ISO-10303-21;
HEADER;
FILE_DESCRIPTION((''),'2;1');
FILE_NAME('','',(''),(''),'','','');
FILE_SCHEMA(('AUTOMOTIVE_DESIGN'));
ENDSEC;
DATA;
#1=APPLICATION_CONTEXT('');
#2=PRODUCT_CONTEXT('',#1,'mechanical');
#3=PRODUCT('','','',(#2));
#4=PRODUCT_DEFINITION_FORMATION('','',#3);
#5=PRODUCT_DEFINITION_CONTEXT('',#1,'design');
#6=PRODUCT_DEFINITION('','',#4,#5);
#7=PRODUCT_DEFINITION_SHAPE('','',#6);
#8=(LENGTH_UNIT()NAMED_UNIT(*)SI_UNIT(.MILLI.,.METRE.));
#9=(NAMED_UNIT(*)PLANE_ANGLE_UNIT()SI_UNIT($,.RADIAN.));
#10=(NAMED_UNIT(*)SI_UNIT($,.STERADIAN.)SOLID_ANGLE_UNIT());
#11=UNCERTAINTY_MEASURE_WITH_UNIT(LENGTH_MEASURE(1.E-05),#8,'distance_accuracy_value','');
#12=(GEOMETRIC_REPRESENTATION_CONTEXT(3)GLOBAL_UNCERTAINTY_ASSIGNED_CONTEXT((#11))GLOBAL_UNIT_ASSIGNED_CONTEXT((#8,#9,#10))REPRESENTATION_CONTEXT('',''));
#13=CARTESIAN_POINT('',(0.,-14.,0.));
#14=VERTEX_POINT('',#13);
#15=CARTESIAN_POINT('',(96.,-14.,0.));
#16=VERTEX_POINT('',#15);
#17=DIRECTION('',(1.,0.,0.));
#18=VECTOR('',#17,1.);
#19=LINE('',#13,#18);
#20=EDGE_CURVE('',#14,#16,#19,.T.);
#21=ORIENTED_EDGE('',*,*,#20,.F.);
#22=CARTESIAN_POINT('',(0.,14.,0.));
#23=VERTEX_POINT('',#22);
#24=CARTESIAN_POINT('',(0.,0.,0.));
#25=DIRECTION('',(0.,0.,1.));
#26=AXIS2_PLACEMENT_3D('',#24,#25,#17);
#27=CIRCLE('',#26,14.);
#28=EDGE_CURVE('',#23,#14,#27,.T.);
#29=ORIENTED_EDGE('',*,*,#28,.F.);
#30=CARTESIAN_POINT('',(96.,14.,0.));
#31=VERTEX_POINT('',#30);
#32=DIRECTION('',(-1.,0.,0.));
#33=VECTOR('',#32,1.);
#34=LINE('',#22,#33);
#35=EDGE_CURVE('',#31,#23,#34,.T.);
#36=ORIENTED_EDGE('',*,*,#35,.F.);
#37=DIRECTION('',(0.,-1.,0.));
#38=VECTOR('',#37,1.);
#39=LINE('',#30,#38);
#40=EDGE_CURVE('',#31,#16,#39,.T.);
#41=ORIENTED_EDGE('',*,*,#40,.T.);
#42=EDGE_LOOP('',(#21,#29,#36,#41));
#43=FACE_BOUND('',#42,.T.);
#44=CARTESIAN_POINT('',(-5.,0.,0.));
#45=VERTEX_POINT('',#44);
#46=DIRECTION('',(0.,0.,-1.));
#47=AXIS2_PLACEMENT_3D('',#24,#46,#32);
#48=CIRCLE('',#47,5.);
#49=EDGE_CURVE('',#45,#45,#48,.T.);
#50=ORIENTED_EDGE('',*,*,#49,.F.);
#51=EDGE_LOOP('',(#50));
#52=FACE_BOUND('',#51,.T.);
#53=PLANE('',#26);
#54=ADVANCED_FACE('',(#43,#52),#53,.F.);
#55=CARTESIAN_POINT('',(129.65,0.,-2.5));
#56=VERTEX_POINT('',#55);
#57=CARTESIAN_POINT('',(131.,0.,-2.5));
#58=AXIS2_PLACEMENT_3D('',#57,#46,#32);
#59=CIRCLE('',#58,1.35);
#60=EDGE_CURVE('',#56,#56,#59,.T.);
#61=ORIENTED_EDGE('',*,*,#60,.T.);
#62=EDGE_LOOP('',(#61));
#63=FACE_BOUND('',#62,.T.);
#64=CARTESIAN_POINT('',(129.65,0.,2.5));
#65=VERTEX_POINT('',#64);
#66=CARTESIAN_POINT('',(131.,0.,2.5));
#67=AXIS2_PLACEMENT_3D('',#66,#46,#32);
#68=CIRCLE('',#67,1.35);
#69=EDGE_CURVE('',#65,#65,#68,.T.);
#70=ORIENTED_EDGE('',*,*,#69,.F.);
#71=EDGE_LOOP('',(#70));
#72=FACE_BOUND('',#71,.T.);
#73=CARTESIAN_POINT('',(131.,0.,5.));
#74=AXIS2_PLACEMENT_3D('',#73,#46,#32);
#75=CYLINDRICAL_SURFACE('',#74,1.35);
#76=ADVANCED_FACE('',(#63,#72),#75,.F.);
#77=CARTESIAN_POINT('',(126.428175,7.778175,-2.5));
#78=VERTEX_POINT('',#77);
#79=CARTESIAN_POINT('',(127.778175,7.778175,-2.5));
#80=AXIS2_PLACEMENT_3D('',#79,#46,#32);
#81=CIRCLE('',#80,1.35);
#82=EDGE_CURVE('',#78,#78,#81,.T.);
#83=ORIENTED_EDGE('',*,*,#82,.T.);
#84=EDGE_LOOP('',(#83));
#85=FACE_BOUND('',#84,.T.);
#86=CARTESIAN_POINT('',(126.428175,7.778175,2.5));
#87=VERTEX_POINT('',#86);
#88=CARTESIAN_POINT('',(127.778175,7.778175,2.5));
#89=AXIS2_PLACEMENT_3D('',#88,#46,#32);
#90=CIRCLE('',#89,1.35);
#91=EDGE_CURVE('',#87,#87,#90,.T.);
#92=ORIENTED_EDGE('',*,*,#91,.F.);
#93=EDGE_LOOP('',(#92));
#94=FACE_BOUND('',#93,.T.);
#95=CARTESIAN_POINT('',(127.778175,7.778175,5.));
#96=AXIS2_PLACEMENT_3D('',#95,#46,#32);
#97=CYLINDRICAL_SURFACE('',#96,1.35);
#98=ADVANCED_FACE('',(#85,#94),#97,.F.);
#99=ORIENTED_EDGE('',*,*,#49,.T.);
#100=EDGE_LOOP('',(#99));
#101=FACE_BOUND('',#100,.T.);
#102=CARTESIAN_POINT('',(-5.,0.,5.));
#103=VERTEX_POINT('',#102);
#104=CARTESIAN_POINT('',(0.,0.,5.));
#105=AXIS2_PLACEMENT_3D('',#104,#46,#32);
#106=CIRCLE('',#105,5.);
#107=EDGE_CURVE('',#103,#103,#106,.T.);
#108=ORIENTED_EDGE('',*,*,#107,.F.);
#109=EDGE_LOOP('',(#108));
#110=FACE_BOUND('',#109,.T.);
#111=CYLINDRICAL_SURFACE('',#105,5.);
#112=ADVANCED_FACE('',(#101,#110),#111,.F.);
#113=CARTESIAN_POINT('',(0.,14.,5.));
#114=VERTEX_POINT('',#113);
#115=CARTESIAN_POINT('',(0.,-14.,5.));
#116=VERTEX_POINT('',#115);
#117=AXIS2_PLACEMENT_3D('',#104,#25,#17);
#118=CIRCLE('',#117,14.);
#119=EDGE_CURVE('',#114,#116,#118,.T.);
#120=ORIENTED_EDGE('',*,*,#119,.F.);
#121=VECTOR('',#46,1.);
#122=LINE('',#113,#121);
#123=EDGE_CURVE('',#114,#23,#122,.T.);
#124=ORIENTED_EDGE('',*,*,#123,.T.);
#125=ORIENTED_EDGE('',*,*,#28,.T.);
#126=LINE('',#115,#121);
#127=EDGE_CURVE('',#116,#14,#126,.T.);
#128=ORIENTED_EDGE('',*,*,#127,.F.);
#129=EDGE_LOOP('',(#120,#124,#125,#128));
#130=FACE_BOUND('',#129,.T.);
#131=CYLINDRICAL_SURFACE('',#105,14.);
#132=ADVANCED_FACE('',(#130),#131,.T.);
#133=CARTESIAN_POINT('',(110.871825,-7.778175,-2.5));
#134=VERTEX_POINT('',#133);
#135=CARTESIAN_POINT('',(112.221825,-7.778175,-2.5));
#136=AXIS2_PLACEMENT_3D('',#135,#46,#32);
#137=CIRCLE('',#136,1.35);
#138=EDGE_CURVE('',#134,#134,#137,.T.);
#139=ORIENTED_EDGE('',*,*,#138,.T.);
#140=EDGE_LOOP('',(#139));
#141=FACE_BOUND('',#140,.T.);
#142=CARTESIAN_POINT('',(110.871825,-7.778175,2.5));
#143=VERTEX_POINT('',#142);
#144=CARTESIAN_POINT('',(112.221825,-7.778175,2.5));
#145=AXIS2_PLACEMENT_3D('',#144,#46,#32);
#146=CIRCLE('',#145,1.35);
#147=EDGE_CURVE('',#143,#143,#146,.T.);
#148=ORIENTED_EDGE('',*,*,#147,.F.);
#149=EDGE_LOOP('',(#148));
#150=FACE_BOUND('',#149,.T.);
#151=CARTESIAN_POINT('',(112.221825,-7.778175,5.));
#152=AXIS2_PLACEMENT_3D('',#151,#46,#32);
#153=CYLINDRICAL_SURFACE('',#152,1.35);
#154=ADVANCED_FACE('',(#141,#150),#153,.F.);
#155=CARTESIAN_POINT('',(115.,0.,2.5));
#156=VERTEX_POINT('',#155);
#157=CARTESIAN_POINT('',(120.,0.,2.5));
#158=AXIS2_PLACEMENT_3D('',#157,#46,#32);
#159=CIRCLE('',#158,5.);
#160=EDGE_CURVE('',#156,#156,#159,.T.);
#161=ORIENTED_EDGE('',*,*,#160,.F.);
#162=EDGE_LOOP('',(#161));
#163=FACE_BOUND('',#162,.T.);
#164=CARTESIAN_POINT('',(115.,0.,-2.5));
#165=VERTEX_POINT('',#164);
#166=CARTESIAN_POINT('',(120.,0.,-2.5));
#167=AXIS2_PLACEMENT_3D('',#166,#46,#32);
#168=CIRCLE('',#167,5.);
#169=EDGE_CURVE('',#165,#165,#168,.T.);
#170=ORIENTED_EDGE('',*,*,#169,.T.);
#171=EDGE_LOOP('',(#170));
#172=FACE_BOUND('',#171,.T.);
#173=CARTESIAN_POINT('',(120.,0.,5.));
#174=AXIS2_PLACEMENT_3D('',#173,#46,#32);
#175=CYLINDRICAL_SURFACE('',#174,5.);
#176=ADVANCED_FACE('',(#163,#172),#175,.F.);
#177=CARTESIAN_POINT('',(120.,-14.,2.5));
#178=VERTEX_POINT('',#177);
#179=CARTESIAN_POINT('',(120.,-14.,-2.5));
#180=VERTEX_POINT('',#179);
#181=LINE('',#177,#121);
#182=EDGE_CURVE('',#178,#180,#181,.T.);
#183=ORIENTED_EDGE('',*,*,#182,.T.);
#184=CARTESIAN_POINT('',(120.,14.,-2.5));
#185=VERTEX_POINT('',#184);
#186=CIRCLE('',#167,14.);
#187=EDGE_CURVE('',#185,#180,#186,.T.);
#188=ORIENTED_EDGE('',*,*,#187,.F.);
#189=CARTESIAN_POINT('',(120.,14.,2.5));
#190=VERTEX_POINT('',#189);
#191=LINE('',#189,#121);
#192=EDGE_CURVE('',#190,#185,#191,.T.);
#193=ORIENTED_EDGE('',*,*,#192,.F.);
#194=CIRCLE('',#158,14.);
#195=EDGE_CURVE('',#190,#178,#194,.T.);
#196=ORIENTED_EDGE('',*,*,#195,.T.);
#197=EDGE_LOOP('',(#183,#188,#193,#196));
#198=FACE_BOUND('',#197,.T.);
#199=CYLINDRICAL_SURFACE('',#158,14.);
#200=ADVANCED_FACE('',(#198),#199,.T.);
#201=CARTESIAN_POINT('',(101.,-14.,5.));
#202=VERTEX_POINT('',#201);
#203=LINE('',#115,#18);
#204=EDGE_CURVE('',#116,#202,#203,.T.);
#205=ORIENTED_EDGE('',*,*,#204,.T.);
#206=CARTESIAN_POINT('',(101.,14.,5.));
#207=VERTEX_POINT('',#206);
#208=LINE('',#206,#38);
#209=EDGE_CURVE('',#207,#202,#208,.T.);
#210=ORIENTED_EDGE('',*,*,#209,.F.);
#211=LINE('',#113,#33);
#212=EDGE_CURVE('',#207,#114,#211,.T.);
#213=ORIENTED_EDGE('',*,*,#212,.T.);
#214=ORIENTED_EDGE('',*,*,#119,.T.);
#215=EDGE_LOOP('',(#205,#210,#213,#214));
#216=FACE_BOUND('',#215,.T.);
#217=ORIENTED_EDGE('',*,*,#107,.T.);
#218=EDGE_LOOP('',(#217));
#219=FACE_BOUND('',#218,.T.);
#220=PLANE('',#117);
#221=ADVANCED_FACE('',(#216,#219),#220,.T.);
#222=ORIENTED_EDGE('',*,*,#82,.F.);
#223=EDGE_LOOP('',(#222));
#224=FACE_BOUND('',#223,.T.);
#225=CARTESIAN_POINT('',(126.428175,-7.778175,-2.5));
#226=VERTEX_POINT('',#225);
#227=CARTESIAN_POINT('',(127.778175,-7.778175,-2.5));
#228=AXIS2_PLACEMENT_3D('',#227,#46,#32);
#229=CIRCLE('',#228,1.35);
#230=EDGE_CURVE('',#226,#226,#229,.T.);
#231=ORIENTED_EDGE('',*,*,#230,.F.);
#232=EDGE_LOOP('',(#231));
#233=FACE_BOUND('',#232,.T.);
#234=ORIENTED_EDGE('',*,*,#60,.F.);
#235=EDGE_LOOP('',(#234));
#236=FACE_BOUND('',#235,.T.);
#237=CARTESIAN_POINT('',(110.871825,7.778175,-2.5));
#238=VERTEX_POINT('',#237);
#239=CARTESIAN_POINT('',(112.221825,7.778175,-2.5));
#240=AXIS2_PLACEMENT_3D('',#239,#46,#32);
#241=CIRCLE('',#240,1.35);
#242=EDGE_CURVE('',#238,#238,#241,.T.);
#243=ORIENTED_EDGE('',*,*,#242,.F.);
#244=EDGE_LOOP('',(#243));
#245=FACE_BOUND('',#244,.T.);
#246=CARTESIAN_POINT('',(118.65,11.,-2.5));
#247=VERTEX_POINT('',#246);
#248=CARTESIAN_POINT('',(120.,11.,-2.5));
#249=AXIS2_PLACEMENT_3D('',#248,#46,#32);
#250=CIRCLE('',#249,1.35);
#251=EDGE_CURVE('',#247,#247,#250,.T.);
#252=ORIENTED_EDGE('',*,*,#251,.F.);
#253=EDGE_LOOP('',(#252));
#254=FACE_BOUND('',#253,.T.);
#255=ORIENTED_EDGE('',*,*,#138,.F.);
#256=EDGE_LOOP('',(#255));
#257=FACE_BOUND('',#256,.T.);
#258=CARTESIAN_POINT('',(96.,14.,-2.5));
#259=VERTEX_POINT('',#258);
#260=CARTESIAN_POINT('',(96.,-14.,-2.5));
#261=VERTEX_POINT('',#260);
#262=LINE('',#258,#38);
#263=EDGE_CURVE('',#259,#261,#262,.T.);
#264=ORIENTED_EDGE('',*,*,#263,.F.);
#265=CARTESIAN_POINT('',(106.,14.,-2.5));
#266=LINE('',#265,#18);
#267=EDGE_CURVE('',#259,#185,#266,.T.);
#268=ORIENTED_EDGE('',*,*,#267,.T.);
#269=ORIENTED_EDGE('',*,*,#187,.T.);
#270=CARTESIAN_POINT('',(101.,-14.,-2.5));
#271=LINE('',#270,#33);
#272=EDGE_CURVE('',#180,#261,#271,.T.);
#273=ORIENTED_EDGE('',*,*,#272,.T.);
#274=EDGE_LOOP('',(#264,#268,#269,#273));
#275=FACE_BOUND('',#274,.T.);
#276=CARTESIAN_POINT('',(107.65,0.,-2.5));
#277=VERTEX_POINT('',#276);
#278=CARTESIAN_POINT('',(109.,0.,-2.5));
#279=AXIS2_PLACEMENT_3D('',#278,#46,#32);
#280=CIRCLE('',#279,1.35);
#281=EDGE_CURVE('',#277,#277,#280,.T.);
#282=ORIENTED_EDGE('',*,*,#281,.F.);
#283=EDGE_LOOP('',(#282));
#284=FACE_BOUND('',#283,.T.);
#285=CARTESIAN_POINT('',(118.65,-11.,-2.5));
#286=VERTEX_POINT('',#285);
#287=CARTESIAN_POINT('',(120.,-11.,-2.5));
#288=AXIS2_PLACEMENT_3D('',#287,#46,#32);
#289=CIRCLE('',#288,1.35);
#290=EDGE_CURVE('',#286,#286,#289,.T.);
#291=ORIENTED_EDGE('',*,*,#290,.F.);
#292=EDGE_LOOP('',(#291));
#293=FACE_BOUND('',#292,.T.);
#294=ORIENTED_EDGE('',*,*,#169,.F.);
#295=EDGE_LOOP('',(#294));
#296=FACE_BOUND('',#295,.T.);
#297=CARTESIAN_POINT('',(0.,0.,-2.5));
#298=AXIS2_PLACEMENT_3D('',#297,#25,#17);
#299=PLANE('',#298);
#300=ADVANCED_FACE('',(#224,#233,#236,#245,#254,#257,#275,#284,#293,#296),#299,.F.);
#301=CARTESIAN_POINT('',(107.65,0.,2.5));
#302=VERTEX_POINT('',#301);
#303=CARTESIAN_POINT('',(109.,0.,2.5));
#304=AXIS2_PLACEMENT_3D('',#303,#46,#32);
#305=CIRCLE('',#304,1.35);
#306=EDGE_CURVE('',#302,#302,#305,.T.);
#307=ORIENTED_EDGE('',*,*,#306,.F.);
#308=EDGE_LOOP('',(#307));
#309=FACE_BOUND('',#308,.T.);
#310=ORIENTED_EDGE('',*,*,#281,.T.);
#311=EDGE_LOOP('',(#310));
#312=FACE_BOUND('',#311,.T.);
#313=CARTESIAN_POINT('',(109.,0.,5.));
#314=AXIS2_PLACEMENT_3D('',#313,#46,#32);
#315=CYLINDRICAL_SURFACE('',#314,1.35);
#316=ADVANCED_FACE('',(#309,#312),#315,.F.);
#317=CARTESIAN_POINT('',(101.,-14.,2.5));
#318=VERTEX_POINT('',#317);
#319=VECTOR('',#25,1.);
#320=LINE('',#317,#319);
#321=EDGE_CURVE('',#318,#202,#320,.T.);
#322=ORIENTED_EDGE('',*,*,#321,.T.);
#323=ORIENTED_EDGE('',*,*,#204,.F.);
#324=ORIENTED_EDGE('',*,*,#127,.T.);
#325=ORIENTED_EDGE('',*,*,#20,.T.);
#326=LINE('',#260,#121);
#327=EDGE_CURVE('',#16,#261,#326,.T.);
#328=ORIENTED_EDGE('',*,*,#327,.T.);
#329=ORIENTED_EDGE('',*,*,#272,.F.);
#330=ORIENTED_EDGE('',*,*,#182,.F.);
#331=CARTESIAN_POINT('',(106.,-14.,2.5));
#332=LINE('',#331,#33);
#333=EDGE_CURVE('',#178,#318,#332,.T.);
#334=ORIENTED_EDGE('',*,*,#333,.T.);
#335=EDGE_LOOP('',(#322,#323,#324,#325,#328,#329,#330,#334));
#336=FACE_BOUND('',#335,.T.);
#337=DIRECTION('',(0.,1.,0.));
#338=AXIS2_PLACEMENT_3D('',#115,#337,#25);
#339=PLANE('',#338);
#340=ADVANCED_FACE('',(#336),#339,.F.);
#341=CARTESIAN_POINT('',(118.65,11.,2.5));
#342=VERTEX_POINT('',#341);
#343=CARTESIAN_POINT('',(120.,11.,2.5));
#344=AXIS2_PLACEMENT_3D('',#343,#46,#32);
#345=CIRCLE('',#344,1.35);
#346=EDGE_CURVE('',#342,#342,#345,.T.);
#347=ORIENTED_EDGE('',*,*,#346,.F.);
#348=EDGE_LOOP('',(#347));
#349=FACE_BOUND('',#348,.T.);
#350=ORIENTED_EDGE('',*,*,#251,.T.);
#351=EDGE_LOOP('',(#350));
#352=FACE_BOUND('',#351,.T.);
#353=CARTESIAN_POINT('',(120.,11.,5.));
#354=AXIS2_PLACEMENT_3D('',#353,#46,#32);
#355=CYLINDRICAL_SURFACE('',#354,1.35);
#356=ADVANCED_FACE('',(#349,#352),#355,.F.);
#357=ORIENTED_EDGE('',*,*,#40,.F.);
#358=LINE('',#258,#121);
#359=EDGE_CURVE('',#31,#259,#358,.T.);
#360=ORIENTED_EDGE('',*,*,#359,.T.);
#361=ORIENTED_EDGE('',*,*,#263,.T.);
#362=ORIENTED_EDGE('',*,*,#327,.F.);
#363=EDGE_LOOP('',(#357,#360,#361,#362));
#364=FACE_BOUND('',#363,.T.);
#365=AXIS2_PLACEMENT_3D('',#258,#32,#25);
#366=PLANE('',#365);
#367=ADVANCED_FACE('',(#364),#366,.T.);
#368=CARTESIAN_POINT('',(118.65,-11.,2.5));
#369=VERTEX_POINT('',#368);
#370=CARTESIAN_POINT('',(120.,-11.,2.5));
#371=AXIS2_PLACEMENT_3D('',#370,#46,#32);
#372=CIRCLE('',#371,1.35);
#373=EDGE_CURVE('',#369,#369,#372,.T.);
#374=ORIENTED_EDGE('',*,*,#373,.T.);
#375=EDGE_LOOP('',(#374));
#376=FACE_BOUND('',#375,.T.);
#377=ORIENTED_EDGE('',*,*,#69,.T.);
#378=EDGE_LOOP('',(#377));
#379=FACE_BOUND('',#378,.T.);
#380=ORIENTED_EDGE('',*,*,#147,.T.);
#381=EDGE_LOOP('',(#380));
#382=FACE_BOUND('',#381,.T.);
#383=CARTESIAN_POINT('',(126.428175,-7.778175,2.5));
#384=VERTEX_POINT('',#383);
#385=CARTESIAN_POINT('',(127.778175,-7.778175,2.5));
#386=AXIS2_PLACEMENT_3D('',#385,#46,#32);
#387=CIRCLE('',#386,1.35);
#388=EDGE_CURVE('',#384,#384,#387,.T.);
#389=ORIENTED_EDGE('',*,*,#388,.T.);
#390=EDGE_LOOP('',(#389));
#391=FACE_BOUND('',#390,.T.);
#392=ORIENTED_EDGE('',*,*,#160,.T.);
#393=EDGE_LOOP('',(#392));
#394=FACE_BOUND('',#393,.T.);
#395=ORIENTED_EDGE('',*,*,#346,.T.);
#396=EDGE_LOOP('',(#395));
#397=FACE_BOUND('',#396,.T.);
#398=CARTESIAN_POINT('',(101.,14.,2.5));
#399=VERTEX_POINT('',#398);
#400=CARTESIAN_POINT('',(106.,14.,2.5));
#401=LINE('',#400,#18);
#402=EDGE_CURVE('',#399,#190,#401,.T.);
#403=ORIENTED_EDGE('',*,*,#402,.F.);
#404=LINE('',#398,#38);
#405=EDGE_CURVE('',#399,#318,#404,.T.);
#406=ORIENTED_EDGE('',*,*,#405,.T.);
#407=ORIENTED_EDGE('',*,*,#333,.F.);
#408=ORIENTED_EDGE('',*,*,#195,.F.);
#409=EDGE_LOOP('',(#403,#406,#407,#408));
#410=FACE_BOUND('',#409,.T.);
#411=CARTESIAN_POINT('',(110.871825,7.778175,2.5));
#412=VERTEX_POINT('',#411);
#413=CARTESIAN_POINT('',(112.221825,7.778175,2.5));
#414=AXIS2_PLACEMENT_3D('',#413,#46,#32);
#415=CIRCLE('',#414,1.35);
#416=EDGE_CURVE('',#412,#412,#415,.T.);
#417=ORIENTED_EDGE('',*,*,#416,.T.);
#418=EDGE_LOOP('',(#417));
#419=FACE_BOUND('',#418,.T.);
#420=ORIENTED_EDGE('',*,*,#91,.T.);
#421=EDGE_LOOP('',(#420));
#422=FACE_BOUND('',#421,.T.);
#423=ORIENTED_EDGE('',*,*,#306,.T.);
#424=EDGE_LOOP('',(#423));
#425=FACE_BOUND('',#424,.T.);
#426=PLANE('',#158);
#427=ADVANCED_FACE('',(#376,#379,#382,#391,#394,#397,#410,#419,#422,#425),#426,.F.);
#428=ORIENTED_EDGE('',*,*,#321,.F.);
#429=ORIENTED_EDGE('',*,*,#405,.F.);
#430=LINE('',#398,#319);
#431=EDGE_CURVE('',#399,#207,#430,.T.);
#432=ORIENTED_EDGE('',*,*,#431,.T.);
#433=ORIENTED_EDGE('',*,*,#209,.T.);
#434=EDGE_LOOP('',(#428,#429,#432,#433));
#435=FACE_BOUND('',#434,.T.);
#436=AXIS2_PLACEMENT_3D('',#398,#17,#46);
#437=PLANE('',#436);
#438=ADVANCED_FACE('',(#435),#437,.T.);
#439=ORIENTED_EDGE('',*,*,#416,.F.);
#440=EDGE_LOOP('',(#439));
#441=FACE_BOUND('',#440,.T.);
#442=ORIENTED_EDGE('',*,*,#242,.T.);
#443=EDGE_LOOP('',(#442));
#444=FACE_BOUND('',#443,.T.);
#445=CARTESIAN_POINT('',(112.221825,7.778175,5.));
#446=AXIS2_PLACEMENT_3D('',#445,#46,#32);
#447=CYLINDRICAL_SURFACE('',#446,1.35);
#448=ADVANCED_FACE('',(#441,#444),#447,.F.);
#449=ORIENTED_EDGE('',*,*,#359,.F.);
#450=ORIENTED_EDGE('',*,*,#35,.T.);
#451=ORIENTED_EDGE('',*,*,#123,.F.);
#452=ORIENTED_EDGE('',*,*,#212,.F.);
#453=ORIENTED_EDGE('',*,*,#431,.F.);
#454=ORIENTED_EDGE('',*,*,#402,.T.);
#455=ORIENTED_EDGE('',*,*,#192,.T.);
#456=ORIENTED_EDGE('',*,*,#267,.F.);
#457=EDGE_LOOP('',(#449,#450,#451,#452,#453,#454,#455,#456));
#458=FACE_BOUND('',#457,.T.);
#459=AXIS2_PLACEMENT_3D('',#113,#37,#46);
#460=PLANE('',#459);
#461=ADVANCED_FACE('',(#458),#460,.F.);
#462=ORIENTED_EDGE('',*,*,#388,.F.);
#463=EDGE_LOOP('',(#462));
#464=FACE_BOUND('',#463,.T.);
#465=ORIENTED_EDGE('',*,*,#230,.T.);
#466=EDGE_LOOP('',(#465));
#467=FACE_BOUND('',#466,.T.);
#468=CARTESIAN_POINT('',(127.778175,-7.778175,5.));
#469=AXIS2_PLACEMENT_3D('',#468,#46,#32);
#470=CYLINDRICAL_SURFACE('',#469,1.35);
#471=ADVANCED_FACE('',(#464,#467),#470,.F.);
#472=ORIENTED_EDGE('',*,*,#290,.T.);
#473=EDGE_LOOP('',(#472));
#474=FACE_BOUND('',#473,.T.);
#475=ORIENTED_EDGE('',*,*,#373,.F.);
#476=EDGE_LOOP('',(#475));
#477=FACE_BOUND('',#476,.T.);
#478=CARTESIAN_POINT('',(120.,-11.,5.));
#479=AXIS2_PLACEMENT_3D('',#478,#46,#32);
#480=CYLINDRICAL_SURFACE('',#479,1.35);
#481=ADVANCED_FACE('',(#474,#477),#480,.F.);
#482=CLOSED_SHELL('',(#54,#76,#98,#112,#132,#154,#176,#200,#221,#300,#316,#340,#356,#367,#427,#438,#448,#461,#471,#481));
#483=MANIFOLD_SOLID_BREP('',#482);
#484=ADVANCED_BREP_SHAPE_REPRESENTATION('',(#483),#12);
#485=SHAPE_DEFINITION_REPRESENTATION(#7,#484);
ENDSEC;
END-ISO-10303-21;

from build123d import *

# Parameters (mm, degrees)
RESSALTO_EXTRUS_O1_DEPTH = 5
ESBO_O2_R                = 1.35
ESBO_O2_R_2              = 1.373066436
ESBO_O2_R_3              = 1.330065432
ESBO_O2_R_4              = 5
CORTE_EXTRUS_O1_DEPTH    = 137.810087347
ESBO_O3_R                = 5
CORTE_EXTRUS_O2_DEPTH    = 137.810087347
ESBO_O5_W                = 31.24115408
ESBO_O5_H                = 28
CORTE_EXTRUS_O3_DEPTH    = 137.810087347
ESBO_O6_W                = 5
ESBO_O6_H                = 28
RESSALTO_EXTRUS_O2_DEPTH = 2.5
RESSALTO_EXTRUS_O4_DEPTH = 5
ESBO_O8_R                = 5
ESBO_O8_R_2              = 1.35
CORTE_EXTRUS_O4_DEPTH    = 135.937948702
ESBO_O10_W               = 5
ESBO_O10_H               = 2.5
CORTE_EXTRUS_O5_DEPTH    = 137.985400682
ESBO_O11_W               = 5
ESBO_O11_H               = 2.5
RESSALTO_EXTRUS_O5_DEPTH = 28


with BuildPart() as part:
    # Esboço1 → Ressalto-extrusão1 (new body)
    with BuildSketch(Plane.XY):
        with BuildLine():
            Line((0, -14), (122, -14))
            ThreePointArc((122, -14), (136, 0), (122, 14))
            Line((122, 14), (0, 14))
            ThreePointArc((0, 14), (-14, 0), (0, -14))
        make_face()
    extrude(amount=RESSALTO_EXTRUS_O1_DEPTH)

    # Esboço2 → Corte-extrusão1 (cut, through all)
    with BuildSketch(Plane(origin=(0, 0, 0), x_dir=(-1, 0, 0), z_dir=(0, 0, -1))):
        with Locations((-125.327123404, 10.484762747)):
            Circle(ESBO_O2_R)
        with Locations((-116.938784683, 9.766478358)):
            Circle(ESBO_O2_R)
        with Locations((-111.515237253, 3.327123404)):
            Circle(ESBO_O2_R)
        with Locations((-112.233521642, -5.061215317)):
            Circle(ESBO_O2_R)
        with Locations((-118.672876596, -10.484762747)):
            Circle(ESBO_O2_R_2)
        with Locations((-127.061215317, -9.766478358)):
            Circle(ESBO_O2_R_3)
        with Locations((-132.484762747, -3.327123404)):
            Circle(ESBO_O2_R)
        with Locations((-131.766478358, 5.061215317)):
            Circle(ESBO_O2_R)
        with Locations((-122, 0)):
            Circle(ESBO_O2_R_4)
    extrude(amount=-CORTE_EXTRUS_O1_DEPTH, mode=Mode.SUBTRACT)

    # Esboço3 → Corte-extrusão2 (cut, through all)
    with BuildSketch(Plane(origin=(0, 0, 0), x_dir=(-1, 0, 0), z_dir=(0, 0, -1))):
        Circle(ESBO_O3_R)
    extrude(amount=-CORTE_EXTRUS_O2_DEPTH, mode=Mode.SUBTRACT)

    # Esboço5 → Corte-extrusão3 (cut, through all)
    with BuildSketch(Plane(origin=(0, 0, 0), x_dir=(-1, 0, 0), z_dir=(0, 0, -1))):
        with Locations((-121.62057704, 0)):
            Rectangle(ESBO_O5_W, ESBO_O5_H)
    extrude(amount=-CORTE_EXTRUS_O3_DEPTH, mode=Mode.SUBTRACT)

    # Esboço6 → Ressalto-extrusão2 (add)
    with BuildSketch(Plane(origin=(0, 0, 0), x_dir=(-1, 0, 0), z_dir=(0, 0, -1))):
        with Locations((-103.5, 0)):
            Rectangle(ESBO_O6_W, ESBO_O6_H)
    extrude(amount=RESSALTO_EXTRUS_O2_DEPTH)

    # Esboço7 → Ressalto-extrusão4 (add)
    with BuildSketch(Plane(origin=(0, 0, -2.5), x_dir=(-1, 0, 0), z_dir=(0, 0, -1))):
        with BuildLine():
            Line((-106, 14), (-120, 14))
            ThreePointArc((-120, 14), (-134, 0), (-120, -14))
            Line((-120, -14), (-106, -14))
            Line((-106, -14), (-106, 14))
        make_face()
    extrude(amount=-RESSALTO_EXTRUS_O4_DEPTH)

    # Esboço8 → Corte-extrusão4 (cut, through all)
    with BuildSketch(Plane(origin=(0, 0, -2.5), x_dir=(-1, 0, 0), z_dir=(0, 0, -1))):
        with Locations((-120, 0)):
            Circle(ESBO_O8_R)
        with Locations((-120, 11)):
            Circle(ESBO_O8_R_2)
        with Locations((-109, 0)):
            Circle(ESBO_O8_R_2)
        with Locations((-120, -11)):
            Circle(ESBO_O8_R_2)
        with Locations((-131, 0)):
            Circle(ESBO_O8_R_2)
        with Locations((-112.221825407, 7.778174593)):
            Circle(ESBO_O8_R_2)
        with Locations((-112.221825407, -7.778174593)):
            Circle(ESBO_O8_R_2)
        with Locations((-127.778174593, -7.778174593)):
            Circle(ESBO_O8_R_2)
        with Locations((-127.778174593, 7.778174593)):
            Circle(ESBO_O8_R_2)
    extrude(amount=-CORTE_EXTRUS_O4_DEPTH, mode=Mode.SUBTRACT)

    # Esboço10 → Corte-extrusão5 (cut, through all)
    with BuildSketch(Plane.XZ.offset(14)):
        with Locations((103.5, 3.75)):
            Rectangle(ESBO_O10_W, ESBO_O10_H)
    extrude(amount=-CORTE_EXTRUS_O5_DEPTH, mode=Mode.SUBTRACT)

    # Esboço11 → Ressalto-extrusão5 (add, through all)
    with BuildSketch(Plane.XZ.offset(14)):
        with Locations((98.5, -1.25)):
            Rectangle(ESBO_O11_W, ESBO_O11_H)
    extrude(amount=-RESSALTO_EXTRUS_O5_DEPTH)


solid = part.part
